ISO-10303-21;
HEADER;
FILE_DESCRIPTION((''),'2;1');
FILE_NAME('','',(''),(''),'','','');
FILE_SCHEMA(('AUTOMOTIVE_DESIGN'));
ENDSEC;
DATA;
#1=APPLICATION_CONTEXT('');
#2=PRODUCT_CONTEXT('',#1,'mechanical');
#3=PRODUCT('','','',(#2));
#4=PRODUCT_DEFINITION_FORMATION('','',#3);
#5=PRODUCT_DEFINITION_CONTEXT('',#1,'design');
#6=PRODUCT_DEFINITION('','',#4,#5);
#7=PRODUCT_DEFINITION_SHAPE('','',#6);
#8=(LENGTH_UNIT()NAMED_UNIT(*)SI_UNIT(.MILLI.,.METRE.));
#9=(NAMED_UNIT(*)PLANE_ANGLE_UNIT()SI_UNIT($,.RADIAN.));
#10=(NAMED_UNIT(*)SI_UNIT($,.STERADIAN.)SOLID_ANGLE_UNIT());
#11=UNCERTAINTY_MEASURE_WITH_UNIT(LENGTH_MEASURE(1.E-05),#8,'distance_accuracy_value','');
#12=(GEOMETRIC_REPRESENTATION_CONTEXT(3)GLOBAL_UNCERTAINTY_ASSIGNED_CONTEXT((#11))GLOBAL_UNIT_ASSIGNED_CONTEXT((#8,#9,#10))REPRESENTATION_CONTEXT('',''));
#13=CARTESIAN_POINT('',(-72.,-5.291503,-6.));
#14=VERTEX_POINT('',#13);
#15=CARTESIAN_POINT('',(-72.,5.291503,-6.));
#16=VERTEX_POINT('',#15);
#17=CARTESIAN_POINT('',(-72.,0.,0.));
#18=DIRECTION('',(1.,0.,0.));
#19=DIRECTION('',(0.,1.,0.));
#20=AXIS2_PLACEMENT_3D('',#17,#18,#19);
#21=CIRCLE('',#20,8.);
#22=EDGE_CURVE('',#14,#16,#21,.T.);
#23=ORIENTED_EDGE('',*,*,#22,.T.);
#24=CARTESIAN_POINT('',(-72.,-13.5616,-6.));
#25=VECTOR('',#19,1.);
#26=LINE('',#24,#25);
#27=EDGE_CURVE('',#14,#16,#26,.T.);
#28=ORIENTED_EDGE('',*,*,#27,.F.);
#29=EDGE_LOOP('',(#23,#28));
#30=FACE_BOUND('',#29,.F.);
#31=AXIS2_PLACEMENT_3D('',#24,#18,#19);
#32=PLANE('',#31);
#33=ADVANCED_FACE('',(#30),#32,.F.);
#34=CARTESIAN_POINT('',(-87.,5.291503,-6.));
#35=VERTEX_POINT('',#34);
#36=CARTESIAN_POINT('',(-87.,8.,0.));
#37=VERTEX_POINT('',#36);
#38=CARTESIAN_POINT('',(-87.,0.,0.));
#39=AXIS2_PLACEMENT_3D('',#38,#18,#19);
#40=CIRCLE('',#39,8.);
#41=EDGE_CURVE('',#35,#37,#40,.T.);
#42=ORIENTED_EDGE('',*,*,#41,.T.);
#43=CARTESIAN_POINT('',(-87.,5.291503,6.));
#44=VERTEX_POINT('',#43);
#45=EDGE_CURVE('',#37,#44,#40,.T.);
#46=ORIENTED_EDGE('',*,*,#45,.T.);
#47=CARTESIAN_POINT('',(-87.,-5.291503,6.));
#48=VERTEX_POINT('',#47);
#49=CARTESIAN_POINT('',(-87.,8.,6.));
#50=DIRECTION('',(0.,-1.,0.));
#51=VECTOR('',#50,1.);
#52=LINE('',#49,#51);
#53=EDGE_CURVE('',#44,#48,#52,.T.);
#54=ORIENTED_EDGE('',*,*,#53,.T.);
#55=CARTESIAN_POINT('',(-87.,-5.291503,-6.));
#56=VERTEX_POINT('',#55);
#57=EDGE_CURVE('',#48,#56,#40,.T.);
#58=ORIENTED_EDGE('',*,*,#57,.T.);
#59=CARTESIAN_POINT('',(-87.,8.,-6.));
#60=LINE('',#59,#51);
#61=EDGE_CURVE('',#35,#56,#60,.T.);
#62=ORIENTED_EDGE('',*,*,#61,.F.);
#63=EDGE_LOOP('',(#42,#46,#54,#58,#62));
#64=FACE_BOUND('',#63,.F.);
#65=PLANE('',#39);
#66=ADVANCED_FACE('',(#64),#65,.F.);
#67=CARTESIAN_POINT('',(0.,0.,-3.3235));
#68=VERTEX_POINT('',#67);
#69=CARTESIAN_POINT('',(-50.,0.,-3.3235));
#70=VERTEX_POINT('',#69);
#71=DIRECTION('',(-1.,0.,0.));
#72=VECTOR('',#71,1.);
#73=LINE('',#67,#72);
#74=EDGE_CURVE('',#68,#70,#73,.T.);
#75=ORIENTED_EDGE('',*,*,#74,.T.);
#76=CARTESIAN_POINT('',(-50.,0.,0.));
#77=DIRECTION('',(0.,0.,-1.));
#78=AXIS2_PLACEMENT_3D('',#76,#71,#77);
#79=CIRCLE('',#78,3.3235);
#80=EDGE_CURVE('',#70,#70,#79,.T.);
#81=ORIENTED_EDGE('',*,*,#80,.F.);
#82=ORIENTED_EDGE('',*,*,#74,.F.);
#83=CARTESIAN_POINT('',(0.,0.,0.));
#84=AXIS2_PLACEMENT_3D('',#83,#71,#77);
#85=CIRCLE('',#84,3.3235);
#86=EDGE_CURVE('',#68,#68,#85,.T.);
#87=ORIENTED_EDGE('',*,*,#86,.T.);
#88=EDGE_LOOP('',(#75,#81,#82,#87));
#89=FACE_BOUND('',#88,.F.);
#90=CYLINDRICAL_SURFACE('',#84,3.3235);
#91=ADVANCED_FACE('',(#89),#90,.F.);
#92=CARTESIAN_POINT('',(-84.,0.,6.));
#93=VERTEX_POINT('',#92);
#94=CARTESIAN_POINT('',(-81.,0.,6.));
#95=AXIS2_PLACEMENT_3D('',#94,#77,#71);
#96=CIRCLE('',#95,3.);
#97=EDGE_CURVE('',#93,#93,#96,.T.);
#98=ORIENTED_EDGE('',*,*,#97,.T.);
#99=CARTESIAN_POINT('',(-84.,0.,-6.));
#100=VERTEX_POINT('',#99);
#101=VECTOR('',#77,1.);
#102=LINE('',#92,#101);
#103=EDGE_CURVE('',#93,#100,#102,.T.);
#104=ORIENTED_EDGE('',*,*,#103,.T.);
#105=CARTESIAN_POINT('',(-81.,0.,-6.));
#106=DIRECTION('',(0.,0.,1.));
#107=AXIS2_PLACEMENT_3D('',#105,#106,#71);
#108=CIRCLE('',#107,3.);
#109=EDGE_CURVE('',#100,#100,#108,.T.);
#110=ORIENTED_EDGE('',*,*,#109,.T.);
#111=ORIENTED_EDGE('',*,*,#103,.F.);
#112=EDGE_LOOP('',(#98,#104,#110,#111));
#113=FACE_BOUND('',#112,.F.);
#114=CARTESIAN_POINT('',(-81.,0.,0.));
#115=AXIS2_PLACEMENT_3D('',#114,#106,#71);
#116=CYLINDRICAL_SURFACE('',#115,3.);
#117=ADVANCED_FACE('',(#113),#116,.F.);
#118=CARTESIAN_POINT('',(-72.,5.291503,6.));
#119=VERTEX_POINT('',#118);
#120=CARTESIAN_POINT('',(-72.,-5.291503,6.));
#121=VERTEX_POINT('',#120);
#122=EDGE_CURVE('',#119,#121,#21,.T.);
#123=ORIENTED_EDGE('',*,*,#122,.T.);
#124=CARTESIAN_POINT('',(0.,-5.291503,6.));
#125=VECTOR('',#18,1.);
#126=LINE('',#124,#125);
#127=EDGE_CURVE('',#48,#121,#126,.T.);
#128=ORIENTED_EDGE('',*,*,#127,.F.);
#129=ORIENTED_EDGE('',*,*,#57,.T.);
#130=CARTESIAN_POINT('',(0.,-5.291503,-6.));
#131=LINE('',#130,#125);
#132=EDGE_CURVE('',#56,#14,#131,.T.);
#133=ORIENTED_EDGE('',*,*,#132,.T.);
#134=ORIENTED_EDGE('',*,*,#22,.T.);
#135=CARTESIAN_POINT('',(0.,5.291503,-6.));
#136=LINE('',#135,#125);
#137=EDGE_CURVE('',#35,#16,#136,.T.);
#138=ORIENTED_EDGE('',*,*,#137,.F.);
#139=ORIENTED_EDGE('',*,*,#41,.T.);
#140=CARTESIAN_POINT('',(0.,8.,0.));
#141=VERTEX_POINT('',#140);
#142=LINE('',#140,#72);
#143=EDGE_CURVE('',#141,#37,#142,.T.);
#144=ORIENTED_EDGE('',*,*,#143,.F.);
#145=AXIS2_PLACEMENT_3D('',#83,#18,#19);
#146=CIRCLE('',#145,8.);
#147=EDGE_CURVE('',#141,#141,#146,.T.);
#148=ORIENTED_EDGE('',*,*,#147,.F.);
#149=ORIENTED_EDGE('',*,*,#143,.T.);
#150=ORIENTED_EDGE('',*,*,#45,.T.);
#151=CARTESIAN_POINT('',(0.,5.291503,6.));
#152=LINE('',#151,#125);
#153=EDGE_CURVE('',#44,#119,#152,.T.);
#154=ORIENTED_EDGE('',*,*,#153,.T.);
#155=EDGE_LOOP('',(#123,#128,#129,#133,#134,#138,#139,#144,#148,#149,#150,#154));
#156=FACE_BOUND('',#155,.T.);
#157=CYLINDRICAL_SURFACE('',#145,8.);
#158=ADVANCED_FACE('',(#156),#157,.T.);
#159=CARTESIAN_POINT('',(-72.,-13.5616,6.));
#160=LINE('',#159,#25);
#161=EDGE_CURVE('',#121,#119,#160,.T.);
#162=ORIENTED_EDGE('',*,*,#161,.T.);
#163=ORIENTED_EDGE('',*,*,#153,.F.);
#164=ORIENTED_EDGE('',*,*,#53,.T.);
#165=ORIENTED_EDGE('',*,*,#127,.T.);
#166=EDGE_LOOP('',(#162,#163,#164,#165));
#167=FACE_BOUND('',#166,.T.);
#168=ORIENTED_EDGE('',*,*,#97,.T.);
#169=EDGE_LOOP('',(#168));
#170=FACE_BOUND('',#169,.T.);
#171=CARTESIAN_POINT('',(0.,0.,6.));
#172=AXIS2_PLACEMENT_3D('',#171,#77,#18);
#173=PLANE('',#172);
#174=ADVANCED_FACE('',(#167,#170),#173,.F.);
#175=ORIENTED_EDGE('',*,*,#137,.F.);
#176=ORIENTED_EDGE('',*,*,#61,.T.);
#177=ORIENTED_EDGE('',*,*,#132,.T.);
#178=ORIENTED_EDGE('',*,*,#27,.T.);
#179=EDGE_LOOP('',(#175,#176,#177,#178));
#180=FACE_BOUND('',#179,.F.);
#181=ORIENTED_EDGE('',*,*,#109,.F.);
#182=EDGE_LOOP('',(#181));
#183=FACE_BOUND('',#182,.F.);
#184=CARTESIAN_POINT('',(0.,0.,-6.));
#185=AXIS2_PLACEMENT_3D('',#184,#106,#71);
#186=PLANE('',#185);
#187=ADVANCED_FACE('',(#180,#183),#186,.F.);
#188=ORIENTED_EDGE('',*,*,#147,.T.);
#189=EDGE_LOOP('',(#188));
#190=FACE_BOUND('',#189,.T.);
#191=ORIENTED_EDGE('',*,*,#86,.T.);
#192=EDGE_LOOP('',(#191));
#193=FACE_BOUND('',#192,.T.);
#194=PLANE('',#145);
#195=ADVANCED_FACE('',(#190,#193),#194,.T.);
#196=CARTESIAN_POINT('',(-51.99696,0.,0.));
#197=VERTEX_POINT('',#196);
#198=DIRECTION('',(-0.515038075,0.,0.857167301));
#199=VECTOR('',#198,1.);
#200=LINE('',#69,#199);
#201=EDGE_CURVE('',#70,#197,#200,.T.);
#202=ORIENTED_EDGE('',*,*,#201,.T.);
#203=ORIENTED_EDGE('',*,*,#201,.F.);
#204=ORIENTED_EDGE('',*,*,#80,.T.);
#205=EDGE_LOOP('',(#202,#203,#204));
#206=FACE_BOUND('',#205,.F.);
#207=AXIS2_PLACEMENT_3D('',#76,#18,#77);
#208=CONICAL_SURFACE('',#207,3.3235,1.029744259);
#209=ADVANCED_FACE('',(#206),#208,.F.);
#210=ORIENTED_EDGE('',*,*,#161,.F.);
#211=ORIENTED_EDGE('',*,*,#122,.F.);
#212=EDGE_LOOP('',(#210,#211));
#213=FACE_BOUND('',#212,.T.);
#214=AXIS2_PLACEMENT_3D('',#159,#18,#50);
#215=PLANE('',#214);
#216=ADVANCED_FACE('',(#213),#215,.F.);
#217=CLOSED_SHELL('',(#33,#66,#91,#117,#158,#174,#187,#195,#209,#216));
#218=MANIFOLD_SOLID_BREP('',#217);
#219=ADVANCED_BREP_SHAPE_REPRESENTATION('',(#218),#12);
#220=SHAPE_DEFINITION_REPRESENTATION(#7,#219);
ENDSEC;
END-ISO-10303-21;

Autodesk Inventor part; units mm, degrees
ref_plane "YZ Plane" through (0, 0, 0) normal (1, 0, 0) x (0, 1, 0)
ref_plane "XZ Plane" through (0, 0, 0) normal (0, 1, 0) x (-1, 0, 0)
sketch "Sketch1" plane through (0, 0, 0) normal (1, 0, 0) x (0, 1, 0)
  circle A0 centre (0, 0) radius 8
  dimension "d0" = 16
extrude "Extrusion1" add sketch "Sketch1" against normal blind 87
ref_plane "Work Plane1" through (0, 0, 0) normal (0, 0, 1) x (-1, 0, 0)
sketch "Sketch2" plane through (0, 0, 0) normal (0, 0, 1) x (1, 0, 0)
  point P0 (0, 0)
ref_plane "Work Plane2" through (0, 0, -6) normal (0, 0, 1) x (-1, 0, 0)
sketch "Sketch3" plane through (0, 0, -6) normal (0, 0, 1) x (-1, 0, 0)
  line L0 (72, -14.6866) -> (87, -14.6866)
  line L1 (87, -14.6866) -> (87, 13.5616)
  line L2 (87, 13.5616) -> (72, 13.5616)
  line L3 (72, 13.5616) -> (72, -14.6866)
  line L4 (87, -8) -> (87, 8) projected
  point P0 (0, 0)
  dimension "d5" = 15
  dimension "d6" = 0
extrude "Extrusion2" cut sketch "Sketch3" against normal blind 87
mirror "Mirror1" about plane through (0, 0, 0) normal (0, 0, 1) of "Extrusion2"
sketch "Sketch4" plane through (0, 0, 0) normal (0, 0, 1) x (-1, 0, 0)
  circle A0 centre (81, 0) radius 3
  line L0 (87, -5.2915) -> (87, 5.2915) projected
  point P0 (0, 0)
  dimension "d9" = 6
  dimension "d10" = 6
extrude "Extrusion3" cut sketch "Sketch4" along normal mid plane 20
hole "Hole1" at (0, 0, 0) direction (-1, 0, 0) diameter 6.647 depth 50 tip angle 118 thread size "M8x1.25" class "6H" standard "ISO Metric profile"
properties material "Steel"
